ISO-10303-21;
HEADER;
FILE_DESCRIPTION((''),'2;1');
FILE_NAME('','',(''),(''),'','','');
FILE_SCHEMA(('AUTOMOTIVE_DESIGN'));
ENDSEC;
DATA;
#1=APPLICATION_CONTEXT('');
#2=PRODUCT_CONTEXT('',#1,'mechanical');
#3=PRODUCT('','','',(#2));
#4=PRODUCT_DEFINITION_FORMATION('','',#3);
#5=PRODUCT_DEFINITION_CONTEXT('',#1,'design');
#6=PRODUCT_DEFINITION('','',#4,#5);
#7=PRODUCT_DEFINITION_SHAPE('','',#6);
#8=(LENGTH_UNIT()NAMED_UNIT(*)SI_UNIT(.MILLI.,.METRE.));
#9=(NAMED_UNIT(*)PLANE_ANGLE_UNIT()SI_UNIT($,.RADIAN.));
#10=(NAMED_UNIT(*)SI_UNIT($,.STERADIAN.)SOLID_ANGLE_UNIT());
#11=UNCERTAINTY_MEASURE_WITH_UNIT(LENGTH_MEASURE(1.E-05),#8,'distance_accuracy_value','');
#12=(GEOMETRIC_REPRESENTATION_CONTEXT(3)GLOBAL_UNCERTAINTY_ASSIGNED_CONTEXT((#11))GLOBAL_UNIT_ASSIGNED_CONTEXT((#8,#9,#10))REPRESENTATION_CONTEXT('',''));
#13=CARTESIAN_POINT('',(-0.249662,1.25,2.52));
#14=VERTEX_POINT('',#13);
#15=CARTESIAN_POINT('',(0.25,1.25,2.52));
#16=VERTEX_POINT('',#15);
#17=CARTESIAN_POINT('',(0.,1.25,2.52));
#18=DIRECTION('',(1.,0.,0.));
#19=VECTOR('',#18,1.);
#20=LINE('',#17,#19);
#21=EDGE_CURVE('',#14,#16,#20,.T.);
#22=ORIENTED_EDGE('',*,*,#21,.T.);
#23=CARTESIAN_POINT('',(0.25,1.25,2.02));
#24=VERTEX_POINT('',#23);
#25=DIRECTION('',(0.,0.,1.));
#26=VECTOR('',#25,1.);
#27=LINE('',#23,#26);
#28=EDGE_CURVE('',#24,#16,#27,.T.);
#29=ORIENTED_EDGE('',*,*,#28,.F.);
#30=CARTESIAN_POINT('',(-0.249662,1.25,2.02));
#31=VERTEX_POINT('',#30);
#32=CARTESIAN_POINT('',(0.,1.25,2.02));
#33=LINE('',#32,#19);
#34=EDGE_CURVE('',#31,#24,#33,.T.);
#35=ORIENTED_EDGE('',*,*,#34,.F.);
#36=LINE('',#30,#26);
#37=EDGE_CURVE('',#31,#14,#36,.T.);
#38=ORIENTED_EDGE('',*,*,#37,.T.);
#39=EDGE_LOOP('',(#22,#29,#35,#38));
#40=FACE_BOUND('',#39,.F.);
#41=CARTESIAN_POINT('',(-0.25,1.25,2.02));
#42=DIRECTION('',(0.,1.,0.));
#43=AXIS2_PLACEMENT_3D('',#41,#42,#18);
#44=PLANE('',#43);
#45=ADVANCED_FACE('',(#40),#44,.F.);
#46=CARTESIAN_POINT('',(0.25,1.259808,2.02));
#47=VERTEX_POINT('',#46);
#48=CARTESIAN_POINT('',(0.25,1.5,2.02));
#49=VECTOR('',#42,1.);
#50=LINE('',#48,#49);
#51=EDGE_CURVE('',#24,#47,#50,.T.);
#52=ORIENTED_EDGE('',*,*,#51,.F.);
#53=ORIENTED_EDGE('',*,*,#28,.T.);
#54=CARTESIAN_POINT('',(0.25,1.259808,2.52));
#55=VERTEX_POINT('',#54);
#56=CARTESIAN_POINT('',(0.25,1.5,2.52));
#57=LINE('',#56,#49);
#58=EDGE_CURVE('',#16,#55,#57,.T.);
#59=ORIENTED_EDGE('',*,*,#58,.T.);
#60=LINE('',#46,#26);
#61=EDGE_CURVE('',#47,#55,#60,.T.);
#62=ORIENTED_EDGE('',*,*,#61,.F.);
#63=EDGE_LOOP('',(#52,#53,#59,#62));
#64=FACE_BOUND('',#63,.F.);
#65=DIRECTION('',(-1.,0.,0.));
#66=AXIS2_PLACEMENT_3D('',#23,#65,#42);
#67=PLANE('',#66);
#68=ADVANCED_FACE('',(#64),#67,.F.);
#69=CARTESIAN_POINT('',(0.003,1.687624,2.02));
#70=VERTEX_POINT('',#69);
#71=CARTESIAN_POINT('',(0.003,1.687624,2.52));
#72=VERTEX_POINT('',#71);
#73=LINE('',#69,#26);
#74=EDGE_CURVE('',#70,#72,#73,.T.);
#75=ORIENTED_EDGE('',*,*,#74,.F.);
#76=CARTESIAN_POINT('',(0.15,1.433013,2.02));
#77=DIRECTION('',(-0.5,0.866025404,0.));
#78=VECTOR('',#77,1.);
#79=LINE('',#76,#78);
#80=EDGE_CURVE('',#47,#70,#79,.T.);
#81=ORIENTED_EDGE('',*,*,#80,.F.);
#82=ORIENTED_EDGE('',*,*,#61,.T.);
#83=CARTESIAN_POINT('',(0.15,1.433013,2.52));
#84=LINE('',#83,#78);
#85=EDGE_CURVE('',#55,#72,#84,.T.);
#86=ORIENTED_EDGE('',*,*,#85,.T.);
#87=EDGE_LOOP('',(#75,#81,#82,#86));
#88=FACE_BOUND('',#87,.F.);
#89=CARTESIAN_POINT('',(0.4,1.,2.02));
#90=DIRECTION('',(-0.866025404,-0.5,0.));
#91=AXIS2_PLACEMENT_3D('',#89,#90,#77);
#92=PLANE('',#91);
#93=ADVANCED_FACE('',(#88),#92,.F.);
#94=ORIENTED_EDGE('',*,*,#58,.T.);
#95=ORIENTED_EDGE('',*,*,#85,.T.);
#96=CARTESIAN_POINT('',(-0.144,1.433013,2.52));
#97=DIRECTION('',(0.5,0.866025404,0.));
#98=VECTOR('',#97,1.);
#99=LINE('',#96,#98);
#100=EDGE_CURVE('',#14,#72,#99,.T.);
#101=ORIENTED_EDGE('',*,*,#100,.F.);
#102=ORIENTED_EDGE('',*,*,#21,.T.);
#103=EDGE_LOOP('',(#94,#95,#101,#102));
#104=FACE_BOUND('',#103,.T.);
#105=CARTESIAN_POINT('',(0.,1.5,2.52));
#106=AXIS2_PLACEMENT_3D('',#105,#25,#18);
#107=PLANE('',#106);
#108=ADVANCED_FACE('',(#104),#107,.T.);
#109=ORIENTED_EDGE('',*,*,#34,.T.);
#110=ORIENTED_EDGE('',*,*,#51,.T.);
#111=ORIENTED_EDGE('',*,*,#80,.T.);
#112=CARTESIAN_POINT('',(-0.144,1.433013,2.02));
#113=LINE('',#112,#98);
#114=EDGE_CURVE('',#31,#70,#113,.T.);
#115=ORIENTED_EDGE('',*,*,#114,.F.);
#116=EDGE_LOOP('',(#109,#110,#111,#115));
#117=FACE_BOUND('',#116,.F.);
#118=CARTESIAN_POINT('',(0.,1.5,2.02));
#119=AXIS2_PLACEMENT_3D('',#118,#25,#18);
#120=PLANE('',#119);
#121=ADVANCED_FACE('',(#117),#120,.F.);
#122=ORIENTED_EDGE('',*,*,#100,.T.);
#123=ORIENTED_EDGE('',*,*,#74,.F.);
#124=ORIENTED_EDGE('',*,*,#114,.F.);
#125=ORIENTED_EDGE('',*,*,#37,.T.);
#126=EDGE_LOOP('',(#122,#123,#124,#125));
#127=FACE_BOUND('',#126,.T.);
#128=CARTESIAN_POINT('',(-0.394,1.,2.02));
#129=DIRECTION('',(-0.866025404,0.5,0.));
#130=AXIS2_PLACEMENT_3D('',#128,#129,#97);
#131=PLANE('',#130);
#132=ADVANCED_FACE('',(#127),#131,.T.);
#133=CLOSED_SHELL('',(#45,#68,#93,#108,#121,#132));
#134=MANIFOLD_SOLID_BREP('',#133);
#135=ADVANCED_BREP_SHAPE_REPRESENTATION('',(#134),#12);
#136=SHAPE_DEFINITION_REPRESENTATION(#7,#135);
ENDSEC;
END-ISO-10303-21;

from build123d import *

# Parameters (mm, degrees)
BOX010_W               = 1
BOX010_H               = 1
BOX010_DEPTH           = 0.5
BOX010_PLACEMENT_ANGLE = 30
BOX011_W               = 1
BOX011_H               = 1
BOX011_DEPTH           = 0.5
BOX011_PLACEMENT_ANGLE = 60
BOX009_W               = 0.5
BOX009_H               = 0.5
BOX009_DEPTH           = 0.5


with BuildPart() as kub010:
    # Box010 → Box010 (new body)
    with BuildSketch(Plane.XY):
        with Locations((0.5, 0.5)):
            Rectangle(BOX010_W, BOX010_H)
    extrude(amount=BOX010_DEPTH)


with BuildPart() as kub010_1:
    # Box010 placement: moved
    add(kub010.part.moved(Location((0.4, 1, 2.02))).rotate(Axis((0.4, 1, 2.02), (0, 0, 1)), BOX010_PLACEMENT_ANGLE))


with BuildPart() as kub011:
    # Box011 → Box011 (new body)
    with BuildSketch(Plane.XY):
        with Locations((0.5, 0.5)):
            Rectangle(BOX011_W, BOX011_H)
    extrude(amount=BOX011_DEPTH)


with BuildPart() as kub011_1:
    # Box011 placement: moved
    add(kub011.part.moved(Location((-0.394, 1, 2.02))).rotate(Axis((-0.394, 1, 2.02), (0, 0, 1)), BOX011_PLACEMENT_ANGLE))


with BuildPart() as cut018:
    # Box009 → Box009 (new body)
    with BuildSketch(Plane(origin=(-0.25, 1.25, 2.02), x_dir=(1, 0, 0), z_dir=(0, 0, 1))):
        with Locations((0.25, 0.25)):
            Rectangle(BOX009_W, BOX009_H)
    extrude(amount=BOX009_DEPTH)

    # Cut017: cut Kub011
    add(kub011_1.part, mode=Mode.SUBTRACT)

    # Cut018: cut Kub010
    add(kub010_1.part, mode=Mode.SUBTRACT)


solid = cut018.part
